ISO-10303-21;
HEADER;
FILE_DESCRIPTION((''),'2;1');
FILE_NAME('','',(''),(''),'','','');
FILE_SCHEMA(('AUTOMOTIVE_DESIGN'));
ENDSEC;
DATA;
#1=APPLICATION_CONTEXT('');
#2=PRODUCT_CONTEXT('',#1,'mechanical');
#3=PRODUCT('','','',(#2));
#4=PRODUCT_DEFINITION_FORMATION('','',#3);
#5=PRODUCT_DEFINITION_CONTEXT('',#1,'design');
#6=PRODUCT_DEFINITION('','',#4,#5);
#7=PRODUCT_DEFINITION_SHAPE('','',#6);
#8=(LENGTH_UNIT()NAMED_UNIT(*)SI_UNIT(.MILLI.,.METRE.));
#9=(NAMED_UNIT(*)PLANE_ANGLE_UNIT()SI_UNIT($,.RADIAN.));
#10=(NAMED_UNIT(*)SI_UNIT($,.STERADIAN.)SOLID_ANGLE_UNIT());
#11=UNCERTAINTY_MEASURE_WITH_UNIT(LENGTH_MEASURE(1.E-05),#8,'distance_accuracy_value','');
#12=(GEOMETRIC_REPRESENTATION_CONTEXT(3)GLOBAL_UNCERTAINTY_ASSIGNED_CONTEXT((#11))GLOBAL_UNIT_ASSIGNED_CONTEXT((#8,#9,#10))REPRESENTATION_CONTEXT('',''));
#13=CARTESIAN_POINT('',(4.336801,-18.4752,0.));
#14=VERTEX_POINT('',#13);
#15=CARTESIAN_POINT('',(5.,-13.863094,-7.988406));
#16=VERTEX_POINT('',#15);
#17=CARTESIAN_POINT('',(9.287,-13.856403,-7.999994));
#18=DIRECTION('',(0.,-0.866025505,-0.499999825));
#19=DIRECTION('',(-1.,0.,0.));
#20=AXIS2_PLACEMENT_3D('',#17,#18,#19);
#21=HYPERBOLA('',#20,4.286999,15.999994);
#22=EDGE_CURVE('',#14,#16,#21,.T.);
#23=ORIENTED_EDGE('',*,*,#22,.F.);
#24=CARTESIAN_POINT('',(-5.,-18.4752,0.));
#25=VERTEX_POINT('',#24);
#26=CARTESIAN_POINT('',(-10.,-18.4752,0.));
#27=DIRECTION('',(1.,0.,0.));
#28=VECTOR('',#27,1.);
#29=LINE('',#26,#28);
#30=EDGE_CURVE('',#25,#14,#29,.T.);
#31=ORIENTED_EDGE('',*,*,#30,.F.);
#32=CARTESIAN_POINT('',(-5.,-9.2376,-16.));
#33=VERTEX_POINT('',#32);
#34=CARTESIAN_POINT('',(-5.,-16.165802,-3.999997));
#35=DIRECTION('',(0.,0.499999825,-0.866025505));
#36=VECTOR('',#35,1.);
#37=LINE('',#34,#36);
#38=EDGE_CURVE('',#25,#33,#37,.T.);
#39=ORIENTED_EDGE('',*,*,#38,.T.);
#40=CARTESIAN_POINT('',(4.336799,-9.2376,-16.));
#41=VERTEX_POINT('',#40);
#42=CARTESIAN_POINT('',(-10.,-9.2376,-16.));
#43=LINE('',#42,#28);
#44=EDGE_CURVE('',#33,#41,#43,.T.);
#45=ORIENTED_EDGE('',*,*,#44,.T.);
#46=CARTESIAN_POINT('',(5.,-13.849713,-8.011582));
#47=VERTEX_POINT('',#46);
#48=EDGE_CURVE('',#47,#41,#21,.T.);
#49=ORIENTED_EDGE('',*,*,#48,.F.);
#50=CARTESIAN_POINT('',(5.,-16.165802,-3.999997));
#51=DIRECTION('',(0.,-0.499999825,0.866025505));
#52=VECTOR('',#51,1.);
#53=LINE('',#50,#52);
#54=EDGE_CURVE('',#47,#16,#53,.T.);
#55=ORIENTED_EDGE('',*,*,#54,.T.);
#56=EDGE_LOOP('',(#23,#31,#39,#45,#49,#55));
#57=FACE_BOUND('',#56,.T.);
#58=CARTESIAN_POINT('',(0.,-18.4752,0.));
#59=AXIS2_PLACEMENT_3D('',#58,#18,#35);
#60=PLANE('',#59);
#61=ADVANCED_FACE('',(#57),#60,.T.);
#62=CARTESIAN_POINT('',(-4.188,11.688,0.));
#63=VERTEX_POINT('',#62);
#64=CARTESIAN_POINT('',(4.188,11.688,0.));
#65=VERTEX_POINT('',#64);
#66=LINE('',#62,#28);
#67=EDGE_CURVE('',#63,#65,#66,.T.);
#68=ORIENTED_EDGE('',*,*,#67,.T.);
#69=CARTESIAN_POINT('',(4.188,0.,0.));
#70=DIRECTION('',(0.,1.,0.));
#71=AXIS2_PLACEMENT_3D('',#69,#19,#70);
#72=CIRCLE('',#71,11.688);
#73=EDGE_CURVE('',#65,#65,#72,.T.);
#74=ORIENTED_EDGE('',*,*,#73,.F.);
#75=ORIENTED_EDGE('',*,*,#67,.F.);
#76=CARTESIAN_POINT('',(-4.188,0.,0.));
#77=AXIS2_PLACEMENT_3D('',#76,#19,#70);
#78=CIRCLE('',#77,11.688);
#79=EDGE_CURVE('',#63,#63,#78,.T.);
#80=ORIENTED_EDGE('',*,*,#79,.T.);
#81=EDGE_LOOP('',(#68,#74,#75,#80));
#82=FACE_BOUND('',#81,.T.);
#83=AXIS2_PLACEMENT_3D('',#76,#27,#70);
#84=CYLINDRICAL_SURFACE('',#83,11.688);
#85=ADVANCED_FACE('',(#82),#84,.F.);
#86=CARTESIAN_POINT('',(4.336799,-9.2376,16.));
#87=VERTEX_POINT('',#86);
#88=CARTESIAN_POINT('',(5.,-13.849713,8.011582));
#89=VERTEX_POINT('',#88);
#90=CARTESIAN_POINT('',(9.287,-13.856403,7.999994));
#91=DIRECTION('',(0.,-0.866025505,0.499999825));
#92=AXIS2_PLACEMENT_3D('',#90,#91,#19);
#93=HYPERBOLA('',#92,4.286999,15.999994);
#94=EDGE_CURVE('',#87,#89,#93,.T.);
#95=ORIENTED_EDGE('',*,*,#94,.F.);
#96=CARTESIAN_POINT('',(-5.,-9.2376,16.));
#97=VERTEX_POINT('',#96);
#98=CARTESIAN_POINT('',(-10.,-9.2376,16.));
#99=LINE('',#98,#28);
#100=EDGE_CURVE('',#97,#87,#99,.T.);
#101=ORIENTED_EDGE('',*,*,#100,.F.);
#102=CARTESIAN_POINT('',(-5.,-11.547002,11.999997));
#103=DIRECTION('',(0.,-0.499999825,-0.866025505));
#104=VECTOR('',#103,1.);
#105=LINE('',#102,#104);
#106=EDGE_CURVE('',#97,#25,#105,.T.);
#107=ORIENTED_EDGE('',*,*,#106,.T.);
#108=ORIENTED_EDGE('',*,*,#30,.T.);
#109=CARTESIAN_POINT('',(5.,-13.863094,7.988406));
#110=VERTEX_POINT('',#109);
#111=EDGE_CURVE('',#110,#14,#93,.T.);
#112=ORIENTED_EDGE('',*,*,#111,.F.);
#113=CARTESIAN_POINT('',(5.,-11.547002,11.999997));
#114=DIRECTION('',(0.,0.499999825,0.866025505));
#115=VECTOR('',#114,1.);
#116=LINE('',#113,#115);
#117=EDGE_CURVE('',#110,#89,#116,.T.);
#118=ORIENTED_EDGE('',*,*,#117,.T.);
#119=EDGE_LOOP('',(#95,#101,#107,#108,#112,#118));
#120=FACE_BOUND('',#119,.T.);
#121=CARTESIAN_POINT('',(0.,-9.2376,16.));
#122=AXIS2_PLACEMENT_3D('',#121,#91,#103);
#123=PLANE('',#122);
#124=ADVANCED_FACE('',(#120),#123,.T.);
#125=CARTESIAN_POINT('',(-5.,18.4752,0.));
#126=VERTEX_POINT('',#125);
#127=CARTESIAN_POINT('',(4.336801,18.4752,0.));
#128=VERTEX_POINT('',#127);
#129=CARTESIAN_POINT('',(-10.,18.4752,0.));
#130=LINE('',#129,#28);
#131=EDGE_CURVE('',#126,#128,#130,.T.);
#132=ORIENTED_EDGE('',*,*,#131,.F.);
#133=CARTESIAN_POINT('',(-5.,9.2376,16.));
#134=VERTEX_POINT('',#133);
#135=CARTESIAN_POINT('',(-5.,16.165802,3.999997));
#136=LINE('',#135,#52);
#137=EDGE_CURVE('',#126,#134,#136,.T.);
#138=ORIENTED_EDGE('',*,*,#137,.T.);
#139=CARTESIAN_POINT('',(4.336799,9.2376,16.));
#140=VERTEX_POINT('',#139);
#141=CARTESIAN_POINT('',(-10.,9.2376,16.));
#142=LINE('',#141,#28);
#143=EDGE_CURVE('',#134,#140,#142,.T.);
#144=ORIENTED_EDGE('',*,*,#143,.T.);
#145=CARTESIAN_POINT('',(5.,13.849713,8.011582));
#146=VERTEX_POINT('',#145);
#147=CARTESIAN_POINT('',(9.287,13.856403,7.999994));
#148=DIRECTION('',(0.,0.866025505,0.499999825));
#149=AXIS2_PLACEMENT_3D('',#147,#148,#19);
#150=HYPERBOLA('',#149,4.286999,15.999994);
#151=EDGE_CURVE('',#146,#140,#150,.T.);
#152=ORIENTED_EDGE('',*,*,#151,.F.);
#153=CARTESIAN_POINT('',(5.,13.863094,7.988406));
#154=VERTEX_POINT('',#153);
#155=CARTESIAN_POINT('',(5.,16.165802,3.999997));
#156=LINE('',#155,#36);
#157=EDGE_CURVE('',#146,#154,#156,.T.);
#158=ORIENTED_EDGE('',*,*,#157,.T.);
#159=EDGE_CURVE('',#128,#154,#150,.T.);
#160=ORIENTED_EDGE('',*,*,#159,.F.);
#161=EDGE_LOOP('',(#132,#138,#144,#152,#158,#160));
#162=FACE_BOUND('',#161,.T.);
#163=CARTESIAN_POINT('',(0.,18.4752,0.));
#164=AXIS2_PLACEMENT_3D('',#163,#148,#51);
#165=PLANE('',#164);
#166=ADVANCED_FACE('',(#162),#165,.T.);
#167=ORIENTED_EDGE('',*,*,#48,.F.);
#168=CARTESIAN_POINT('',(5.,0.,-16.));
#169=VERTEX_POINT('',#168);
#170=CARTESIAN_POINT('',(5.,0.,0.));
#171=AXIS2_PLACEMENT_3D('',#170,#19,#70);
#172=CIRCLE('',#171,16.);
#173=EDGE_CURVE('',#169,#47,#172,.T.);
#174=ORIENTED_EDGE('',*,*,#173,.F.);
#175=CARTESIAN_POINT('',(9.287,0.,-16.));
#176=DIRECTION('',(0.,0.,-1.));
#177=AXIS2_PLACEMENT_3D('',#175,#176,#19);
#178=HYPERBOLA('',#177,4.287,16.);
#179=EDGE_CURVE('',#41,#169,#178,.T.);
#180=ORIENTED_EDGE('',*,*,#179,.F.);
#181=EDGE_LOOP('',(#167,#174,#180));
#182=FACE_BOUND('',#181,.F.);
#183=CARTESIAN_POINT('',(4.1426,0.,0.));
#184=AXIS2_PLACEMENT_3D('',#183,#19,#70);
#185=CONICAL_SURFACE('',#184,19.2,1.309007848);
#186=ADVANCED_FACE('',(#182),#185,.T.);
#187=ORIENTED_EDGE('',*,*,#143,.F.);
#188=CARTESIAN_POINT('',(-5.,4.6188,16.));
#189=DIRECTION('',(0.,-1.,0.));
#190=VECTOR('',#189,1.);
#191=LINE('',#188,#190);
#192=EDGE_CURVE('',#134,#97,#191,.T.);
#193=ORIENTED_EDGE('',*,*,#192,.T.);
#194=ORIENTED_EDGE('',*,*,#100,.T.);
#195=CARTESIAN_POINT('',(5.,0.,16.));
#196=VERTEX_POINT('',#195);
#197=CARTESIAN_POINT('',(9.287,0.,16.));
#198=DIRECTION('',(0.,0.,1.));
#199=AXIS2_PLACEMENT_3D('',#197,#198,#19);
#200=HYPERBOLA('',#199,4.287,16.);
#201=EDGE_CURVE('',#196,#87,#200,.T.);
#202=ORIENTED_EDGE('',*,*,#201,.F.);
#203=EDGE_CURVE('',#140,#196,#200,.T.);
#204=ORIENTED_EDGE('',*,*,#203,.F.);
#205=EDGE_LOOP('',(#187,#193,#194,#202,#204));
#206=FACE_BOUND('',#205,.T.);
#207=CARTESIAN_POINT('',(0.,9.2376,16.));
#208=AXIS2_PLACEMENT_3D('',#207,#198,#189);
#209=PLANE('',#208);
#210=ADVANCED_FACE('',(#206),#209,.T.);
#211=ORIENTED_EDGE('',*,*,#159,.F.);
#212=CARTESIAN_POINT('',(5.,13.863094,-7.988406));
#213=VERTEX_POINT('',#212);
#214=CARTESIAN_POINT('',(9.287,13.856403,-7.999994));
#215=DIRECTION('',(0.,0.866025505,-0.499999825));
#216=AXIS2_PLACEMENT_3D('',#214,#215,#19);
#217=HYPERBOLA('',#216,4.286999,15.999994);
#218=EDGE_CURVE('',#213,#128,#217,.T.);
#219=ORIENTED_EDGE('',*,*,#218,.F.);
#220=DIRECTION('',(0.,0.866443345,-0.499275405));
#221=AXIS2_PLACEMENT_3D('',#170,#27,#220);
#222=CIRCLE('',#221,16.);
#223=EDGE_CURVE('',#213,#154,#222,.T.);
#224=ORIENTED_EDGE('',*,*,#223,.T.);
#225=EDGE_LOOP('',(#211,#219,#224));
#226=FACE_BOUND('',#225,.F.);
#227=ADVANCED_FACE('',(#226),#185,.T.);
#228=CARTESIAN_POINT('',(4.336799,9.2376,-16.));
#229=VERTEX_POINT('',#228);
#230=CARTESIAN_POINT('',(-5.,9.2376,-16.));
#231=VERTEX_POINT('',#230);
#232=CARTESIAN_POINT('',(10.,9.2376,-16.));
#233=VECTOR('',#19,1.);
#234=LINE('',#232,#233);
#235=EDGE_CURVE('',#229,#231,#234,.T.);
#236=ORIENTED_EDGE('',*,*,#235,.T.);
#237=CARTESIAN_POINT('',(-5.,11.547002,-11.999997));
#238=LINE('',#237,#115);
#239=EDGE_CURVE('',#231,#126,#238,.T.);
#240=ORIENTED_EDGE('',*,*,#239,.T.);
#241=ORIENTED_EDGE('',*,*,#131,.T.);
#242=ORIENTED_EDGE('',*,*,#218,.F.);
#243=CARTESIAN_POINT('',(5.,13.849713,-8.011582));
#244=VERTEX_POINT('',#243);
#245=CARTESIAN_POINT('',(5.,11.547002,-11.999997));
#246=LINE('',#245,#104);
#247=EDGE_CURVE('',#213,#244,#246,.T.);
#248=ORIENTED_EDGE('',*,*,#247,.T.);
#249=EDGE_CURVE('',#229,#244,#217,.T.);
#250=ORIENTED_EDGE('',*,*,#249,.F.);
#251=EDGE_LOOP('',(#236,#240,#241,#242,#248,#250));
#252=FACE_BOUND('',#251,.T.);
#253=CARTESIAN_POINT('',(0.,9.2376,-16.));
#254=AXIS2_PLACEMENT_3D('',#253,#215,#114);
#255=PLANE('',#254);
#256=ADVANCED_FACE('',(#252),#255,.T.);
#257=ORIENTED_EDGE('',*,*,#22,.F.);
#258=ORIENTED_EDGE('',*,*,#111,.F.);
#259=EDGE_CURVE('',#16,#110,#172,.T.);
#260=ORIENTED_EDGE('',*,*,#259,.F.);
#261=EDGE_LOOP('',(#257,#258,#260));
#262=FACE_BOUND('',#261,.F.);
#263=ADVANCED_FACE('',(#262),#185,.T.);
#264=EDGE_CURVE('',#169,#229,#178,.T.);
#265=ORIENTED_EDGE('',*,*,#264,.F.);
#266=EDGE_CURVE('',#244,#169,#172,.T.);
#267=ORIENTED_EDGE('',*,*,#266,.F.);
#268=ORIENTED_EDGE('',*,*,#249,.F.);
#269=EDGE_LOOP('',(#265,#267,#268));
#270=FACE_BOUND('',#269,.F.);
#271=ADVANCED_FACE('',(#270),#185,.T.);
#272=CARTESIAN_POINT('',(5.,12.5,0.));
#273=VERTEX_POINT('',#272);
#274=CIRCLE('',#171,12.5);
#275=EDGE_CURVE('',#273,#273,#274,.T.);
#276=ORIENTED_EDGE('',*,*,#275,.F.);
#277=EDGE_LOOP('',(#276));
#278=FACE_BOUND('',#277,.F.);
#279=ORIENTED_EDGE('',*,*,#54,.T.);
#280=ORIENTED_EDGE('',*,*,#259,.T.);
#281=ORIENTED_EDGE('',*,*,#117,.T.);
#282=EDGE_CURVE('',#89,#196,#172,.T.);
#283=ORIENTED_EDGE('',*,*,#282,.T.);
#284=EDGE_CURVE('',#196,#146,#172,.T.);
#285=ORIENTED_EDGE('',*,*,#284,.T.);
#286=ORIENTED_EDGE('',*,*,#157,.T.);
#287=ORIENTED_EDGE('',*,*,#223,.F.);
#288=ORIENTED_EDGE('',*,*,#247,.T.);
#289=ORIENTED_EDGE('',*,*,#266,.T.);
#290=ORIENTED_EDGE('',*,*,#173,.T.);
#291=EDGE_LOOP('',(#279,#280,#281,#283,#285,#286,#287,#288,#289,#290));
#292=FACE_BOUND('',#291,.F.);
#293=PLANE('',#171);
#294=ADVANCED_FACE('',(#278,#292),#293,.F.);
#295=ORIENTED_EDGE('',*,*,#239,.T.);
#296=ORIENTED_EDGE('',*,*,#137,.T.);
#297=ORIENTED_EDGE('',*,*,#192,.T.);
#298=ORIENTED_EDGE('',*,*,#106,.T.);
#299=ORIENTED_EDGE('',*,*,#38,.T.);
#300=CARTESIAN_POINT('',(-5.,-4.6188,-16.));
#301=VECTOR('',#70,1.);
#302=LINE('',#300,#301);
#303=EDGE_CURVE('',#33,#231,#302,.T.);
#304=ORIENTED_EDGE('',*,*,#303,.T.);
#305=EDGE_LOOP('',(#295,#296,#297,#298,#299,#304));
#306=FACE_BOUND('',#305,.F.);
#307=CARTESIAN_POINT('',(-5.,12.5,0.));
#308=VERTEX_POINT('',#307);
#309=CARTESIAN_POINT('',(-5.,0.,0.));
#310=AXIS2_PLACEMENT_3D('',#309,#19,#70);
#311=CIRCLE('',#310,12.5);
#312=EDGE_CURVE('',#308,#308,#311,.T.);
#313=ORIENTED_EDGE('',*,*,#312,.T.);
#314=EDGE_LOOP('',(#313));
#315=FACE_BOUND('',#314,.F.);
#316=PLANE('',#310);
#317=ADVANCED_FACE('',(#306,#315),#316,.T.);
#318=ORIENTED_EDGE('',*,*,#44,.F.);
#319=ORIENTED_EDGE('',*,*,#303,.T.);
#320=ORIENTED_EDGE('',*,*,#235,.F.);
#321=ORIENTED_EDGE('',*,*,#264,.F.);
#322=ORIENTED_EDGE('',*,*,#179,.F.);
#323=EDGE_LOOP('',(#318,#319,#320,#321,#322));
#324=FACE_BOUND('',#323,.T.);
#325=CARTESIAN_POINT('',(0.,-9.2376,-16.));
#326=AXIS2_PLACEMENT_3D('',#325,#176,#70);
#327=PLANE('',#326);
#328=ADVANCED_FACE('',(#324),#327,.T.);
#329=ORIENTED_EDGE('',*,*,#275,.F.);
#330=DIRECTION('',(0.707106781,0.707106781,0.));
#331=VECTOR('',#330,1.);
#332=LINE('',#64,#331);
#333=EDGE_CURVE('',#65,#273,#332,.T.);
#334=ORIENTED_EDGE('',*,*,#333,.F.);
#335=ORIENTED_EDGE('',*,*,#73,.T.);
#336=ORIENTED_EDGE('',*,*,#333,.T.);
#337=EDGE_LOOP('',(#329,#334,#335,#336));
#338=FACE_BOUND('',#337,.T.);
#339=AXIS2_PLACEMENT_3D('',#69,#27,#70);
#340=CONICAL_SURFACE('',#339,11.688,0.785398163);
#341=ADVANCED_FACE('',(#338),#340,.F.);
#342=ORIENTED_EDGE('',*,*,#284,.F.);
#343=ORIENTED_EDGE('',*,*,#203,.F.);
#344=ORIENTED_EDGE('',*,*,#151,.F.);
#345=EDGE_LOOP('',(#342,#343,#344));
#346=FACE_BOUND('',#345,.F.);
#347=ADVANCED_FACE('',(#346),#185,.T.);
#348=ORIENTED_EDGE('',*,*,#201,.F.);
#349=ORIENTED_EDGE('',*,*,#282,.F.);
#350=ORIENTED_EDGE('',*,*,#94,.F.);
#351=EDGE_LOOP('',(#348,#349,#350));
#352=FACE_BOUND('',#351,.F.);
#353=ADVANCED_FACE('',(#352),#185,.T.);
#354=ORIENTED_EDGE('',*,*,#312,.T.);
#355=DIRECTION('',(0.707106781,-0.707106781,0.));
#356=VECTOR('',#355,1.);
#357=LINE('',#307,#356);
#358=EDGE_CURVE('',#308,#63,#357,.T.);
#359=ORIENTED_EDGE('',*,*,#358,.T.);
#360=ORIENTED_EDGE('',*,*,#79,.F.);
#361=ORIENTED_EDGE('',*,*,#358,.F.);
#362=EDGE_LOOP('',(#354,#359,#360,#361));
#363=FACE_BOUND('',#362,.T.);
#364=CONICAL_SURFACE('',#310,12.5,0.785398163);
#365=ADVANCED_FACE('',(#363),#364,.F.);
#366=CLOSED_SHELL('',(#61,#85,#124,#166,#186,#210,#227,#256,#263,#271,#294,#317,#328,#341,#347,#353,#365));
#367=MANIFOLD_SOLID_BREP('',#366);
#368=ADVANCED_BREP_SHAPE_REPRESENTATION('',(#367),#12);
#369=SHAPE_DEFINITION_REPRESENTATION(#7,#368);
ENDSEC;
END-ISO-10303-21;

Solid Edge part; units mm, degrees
sketch "Sketch1" plane through (0, 0, 0) normal (0, 0, 1) x (1, 0, 0)
  line L0 (-5, 0) -> (-5, 19.2)
  line L1 (-5, 19.2) -> (4.1426, 19.2)
  line L2 (4.1426, 19.2) -> (5, 16)
  line L3 (5, 16) -> (5, 0)
  line L4 (5, 0) -> (-5, 0)
revolve "RevolvedProtrusion1" add sketch "Sketch1" angle 360 about axis through (5, 0, 0) along (-1, 0, 0)
sketch "Sketch2" plane through (0, 0, 0) normal (0, 0, 1) x (1, 0, 0)
  line L0 (-5, 0) -> (-5, 12.5)
  line L1 (-5, 12.5) -> (-4.188, 11.688)
  line L2 (-4.188, 11.688) -> (4.188, 11.688)
  line L3 (4.188, 11.688) -> (5, 12.5)
  line L4 (5, 12.5) -> (5, 0)
  line L5 (5, 0) -> (-5, 0)
revolve "RevolvedCutout1" cut sketch "Sketch2" angle 360 about axis through (5, 0, 0) along (-1, 0, 0)
cosmetic_thread "Thread1" size "M25 x 1.5"
sketch "Sketch3" plane through (0, 0, 0) normal (1, 0, 0) x (0, 1, 0)
  line L0 (-32, 32) -> (-32, -32)
  line L1 (-32, -32) -> (32, -32)
  line L2 (32, -32) -> (32, 32)
  line L3 (32, 32) -> (-32, 32)
  line L4 (9.2376, 16) -> (-9.2376, 16)
  line L5 (-9.2376, 16) -> (-18.4752, 0)
  line L6 (-18.4752, 0) -> (-9.2376, -16)
  line L7 (-9.2376, -16) -> (9.2376, -16)
  line L8 (9.2376, -16) -> (18.4752, 0)
  line L9 (18.4752, 0) -> (9.2376, 16)
extrude "ExtrudedCutout_1" cut sketch "Sketch3" against normal blind 10 and the other way blind 10
